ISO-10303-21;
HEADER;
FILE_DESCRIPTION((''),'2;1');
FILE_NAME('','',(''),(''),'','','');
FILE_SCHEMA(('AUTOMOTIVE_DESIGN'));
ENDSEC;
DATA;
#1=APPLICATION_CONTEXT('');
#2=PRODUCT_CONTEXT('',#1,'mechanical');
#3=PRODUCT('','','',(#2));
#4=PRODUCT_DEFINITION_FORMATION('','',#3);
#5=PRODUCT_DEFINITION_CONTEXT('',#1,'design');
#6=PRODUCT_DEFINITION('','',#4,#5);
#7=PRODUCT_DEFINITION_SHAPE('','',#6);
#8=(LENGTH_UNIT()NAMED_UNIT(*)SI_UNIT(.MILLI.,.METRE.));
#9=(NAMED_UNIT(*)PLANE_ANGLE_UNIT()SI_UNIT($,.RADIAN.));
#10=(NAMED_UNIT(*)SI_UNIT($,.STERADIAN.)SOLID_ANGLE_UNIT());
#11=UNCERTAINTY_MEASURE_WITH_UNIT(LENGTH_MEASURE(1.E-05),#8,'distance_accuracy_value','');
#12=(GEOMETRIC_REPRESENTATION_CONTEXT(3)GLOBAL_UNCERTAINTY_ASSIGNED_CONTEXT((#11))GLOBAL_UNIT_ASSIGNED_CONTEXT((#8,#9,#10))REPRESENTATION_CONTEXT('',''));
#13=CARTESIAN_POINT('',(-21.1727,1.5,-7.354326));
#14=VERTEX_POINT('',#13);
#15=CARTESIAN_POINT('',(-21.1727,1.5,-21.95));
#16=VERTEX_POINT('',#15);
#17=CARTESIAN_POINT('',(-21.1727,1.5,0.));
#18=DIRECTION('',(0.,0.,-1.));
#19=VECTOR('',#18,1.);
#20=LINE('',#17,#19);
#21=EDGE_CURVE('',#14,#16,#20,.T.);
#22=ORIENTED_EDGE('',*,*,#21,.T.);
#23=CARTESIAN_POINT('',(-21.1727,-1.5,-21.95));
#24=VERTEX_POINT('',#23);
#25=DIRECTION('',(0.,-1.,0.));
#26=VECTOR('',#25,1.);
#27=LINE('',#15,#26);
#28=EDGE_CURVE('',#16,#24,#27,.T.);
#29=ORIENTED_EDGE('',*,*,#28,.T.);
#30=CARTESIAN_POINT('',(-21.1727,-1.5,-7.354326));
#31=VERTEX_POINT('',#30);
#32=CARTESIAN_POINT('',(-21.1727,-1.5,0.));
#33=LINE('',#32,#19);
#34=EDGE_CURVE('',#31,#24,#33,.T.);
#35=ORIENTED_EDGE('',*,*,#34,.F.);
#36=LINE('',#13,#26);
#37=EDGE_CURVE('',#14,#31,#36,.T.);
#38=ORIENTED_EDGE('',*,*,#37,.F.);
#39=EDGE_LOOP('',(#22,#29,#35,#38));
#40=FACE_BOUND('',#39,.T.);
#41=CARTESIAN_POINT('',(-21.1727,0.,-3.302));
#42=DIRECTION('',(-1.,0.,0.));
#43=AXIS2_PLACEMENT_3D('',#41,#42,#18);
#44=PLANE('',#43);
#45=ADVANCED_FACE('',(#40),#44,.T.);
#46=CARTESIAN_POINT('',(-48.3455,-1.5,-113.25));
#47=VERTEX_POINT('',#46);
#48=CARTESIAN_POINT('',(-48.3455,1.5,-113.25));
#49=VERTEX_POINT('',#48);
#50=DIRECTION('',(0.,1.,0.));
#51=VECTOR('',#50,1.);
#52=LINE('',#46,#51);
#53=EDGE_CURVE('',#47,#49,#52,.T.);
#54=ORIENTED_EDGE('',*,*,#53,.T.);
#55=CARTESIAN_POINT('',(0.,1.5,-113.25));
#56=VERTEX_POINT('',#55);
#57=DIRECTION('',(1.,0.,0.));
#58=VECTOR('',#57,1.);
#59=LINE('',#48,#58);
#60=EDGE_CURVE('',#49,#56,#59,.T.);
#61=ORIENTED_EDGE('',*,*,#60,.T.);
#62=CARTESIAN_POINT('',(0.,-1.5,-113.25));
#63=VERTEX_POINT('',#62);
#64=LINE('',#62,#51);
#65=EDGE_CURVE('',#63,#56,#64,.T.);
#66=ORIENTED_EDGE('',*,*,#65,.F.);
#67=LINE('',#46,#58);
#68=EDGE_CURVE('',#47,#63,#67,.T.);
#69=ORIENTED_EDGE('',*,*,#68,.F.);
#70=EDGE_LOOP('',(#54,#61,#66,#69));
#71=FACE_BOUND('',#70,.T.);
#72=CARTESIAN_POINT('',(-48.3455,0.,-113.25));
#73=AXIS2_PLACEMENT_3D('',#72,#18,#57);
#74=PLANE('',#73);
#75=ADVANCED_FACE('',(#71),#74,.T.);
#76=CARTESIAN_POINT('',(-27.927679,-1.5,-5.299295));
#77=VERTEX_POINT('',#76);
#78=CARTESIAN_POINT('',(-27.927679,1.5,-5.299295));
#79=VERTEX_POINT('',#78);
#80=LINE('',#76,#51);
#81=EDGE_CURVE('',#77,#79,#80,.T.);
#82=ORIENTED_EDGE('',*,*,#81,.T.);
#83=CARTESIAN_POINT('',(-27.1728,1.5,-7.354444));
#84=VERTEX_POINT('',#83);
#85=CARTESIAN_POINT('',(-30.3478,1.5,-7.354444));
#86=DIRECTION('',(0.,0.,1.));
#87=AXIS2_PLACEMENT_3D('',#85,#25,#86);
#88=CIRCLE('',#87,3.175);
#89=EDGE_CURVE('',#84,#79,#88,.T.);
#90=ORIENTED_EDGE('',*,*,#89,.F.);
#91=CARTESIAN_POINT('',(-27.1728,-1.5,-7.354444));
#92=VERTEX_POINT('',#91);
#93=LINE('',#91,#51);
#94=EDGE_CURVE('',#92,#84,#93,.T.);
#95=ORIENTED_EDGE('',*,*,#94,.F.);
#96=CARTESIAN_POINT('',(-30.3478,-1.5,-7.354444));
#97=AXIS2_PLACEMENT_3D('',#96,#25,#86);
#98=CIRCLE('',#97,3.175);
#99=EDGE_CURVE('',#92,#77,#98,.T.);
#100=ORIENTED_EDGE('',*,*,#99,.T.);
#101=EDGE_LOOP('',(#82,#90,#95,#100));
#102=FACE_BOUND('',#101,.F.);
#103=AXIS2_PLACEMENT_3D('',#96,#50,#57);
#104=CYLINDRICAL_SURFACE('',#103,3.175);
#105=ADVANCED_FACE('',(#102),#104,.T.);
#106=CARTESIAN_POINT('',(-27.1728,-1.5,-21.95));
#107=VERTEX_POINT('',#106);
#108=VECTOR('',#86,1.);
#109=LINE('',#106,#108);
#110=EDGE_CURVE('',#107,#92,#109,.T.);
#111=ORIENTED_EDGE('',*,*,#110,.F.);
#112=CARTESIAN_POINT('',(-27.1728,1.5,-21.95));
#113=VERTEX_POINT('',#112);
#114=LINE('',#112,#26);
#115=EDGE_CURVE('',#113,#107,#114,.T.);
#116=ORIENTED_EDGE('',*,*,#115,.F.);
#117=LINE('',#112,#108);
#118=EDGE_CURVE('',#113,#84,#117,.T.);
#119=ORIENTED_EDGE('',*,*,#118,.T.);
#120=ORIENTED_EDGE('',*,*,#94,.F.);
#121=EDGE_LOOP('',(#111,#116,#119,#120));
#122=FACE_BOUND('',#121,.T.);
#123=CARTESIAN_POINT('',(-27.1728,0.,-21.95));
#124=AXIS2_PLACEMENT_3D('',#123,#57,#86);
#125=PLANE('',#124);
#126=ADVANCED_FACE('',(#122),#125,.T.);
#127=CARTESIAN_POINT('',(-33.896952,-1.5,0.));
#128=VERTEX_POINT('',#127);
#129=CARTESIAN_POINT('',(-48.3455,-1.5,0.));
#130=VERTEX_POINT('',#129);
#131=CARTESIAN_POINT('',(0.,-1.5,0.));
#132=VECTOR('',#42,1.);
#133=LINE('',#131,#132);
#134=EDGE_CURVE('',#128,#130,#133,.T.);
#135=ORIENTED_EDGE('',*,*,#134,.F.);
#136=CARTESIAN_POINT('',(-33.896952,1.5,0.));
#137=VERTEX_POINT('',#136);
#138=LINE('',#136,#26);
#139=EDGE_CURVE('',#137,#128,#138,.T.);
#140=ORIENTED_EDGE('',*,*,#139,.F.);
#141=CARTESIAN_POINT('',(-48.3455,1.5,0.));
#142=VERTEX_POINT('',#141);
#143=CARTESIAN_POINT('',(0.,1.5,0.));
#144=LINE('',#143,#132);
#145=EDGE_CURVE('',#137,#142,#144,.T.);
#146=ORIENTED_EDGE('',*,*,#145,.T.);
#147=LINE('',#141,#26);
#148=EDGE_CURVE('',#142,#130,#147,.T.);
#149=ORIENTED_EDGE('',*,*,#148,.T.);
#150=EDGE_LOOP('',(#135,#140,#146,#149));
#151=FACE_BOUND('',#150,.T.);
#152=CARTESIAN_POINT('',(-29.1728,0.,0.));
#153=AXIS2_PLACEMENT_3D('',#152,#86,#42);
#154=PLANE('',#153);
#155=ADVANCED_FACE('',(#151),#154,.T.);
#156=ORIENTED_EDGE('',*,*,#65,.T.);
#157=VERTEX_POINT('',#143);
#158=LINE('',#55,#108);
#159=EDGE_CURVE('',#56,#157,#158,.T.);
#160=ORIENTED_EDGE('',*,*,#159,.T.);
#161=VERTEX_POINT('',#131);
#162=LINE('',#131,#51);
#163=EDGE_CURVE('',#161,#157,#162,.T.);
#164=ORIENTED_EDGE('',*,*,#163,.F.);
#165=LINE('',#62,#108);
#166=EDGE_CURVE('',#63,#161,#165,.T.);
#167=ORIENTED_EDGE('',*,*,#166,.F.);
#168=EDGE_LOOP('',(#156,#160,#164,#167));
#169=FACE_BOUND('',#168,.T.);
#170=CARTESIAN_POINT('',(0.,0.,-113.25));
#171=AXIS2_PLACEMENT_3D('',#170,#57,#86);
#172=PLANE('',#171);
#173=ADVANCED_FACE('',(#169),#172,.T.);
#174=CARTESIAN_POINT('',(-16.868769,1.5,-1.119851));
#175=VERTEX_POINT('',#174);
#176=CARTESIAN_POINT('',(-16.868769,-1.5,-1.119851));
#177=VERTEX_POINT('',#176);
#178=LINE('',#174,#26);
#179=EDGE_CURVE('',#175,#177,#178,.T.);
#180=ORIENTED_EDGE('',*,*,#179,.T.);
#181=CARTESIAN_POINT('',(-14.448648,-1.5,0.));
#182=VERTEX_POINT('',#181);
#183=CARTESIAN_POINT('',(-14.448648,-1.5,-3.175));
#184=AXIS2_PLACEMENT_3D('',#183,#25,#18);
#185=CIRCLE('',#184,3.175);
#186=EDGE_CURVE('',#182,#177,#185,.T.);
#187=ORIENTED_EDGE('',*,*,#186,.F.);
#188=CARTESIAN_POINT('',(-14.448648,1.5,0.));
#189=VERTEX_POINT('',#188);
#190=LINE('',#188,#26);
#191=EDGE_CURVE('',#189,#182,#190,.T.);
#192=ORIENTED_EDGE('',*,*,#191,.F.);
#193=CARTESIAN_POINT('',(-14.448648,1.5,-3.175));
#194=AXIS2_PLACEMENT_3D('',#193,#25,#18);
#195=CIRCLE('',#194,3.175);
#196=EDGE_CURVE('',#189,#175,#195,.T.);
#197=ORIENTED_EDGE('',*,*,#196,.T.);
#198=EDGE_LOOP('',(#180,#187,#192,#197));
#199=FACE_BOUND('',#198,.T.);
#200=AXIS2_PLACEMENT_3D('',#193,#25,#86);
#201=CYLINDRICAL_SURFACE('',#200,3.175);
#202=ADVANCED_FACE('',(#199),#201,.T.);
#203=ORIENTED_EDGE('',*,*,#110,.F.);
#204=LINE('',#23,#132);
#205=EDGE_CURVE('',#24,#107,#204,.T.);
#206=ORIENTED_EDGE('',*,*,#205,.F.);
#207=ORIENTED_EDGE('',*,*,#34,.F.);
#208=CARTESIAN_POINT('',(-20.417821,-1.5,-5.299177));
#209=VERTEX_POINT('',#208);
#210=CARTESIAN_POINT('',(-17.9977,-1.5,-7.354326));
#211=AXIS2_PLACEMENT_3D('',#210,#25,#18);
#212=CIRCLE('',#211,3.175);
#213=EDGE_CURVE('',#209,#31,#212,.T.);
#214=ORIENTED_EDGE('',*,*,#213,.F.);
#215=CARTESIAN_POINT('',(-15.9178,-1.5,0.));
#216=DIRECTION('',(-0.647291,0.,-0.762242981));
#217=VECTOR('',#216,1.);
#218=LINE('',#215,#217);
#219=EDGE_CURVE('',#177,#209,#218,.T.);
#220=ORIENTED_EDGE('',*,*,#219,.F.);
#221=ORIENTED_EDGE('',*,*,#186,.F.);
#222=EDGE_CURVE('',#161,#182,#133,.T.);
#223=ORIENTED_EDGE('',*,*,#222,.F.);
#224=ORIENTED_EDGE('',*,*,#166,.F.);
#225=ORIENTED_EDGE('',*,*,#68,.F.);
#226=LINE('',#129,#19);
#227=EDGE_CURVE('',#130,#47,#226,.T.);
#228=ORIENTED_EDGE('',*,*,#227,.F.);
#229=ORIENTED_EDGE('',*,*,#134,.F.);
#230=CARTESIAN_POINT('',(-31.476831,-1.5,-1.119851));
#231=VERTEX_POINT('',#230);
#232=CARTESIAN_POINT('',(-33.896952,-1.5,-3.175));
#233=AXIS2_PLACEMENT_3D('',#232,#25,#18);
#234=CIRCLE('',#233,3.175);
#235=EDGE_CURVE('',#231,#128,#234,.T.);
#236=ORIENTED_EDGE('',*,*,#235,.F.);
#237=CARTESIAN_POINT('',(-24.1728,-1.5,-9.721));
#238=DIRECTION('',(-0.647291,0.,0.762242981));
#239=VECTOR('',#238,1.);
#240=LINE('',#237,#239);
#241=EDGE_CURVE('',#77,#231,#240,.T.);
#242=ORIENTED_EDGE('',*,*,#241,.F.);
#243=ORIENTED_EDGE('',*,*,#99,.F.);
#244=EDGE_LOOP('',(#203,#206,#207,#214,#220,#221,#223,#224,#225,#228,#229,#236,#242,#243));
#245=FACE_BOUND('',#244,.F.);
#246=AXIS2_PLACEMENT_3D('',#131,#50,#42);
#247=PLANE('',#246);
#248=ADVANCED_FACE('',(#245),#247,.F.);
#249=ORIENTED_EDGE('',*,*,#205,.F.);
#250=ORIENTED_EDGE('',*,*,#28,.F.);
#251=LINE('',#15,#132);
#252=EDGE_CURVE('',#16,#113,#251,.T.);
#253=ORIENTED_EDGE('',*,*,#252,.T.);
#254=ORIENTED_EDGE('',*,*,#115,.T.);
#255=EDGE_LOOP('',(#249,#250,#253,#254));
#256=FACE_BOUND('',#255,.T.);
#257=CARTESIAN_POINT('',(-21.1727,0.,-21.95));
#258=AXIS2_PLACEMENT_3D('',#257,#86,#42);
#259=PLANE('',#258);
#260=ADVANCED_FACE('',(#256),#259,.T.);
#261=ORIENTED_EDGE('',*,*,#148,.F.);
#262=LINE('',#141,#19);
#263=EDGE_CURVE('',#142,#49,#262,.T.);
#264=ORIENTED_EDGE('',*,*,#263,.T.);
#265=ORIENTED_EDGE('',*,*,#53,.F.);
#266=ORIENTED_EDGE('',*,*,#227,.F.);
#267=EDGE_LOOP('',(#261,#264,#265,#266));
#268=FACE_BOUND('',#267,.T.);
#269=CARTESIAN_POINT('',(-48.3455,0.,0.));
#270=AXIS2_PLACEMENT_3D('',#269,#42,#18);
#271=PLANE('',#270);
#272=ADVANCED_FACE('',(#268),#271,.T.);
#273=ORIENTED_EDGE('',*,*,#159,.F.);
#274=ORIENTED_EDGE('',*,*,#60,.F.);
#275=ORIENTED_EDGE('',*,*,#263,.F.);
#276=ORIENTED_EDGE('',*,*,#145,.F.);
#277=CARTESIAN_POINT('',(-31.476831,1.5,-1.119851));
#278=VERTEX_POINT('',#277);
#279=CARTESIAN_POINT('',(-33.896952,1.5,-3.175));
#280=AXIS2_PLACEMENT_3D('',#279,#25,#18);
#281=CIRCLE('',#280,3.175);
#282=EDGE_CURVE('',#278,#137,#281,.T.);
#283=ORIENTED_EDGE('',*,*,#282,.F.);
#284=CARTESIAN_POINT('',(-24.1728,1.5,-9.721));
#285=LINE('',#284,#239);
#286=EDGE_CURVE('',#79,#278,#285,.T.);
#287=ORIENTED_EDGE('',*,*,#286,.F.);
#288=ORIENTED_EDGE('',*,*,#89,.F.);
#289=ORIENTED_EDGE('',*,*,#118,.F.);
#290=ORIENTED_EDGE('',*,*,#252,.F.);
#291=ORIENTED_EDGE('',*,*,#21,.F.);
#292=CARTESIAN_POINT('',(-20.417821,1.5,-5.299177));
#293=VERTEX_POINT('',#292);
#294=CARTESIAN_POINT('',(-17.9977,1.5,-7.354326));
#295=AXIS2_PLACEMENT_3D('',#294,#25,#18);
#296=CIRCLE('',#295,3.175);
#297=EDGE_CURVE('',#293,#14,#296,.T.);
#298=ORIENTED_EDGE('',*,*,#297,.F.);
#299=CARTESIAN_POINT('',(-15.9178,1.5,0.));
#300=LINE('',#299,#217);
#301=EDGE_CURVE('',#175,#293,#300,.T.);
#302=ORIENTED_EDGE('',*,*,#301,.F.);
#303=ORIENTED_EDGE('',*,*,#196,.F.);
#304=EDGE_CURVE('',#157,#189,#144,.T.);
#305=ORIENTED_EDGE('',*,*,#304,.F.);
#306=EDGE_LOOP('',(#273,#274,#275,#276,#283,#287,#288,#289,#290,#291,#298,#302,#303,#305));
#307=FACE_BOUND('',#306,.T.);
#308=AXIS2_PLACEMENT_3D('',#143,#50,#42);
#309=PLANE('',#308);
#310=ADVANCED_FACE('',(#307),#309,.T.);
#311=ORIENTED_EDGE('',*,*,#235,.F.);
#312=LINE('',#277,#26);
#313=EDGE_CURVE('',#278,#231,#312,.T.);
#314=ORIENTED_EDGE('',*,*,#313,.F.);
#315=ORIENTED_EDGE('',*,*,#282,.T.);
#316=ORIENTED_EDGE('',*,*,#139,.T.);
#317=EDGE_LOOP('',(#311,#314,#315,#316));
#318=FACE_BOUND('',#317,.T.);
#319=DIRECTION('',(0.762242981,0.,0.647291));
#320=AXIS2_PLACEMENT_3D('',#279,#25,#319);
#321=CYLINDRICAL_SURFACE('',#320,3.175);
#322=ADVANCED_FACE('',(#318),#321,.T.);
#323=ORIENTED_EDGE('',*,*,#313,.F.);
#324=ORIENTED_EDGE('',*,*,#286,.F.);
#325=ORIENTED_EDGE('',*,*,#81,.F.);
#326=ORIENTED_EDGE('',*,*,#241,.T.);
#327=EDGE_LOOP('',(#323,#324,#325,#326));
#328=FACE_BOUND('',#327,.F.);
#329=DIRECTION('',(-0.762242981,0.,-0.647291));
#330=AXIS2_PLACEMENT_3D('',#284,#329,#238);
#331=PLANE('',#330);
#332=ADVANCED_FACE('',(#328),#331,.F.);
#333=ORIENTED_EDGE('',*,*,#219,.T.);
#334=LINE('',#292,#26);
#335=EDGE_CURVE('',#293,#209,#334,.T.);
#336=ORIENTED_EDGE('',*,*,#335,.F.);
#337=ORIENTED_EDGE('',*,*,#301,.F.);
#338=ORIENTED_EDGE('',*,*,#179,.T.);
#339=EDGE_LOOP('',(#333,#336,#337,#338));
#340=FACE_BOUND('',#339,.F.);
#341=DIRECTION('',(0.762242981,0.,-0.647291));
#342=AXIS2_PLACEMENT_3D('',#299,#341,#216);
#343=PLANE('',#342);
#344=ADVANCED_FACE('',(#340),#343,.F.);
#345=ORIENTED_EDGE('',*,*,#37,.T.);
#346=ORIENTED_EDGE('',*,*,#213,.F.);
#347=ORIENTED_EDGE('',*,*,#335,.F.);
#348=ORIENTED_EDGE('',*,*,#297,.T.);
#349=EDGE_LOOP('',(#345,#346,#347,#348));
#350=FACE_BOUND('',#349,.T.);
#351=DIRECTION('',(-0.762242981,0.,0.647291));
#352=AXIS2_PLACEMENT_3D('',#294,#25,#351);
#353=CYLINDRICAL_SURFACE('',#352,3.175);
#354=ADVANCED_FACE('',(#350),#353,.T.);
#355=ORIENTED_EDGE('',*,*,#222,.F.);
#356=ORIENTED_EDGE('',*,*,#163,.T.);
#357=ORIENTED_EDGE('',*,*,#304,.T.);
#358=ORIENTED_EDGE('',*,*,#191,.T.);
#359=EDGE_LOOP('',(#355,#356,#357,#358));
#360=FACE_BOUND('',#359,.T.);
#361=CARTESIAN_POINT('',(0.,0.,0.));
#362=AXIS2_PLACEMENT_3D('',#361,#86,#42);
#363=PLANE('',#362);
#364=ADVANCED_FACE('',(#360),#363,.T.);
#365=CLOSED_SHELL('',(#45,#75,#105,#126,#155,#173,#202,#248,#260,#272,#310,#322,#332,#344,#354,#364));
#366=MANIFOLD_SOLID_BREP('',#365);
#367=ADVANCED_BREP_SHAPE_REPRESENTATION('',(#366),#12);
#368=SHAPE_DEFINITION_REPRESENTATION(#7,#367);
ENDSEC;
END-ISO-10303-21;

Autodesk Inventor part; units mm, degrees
ref_plane "YZ Plane" through (0, 0, 0) normal (1, 0, 0) x (0, 1, 0)
ref_plane "XZ Plane" through (0, 0, 0) normal (0, 1, 0) x (-1, 0, 0)
ref_plane "XY Plane" through (0, 0, 0) normal (0, 0, 1) x (1, 0, 0)
sketch "Sketch1" plane through (0, 0, 0) normal (0, 1, 0) x (-1, 0, 0)
  line L0 (0, 0) -> (48.3455, 0)
  line L1 (48.3455, 0) -> (48.3455, -113.25)
  line L2 (48.3455, -113.25) -> (0, -113.25)
  line L3 (0, -113.25) -> (0, 0)
  line L4 (27.1728, 0) -> (21.1727, 0)
  line L5 (21.1727, 0) -> (21.1727, -21.95)
  line L6 (21.1727, -21.95) -> (27.1728, -21.95)
  line L7 (27.1728, -21.95) -> (27.1728, 0)
  line L8 (29.1728, 0) -> (19.1728, 0)
  line L9 (19.1728, 0) -> (19.1728, -3.302)
  line L10 (19.1728, -3.302) -> (29.1728, -3.302)
  line L11 (29.1728, -3.302) -> (29.1728, 0)
  point P0 (27.1728, -3.302)
  point P1 (21.1727, -3.302)
  dimension "d0" = 113.25
  dimension "d1" = 48.3455
  dimension "d2" = 91.3
  dimension "d3" = 6
  dimension "d4" = 21.1728
  dimension "d5" = 21.1728
  dimension "d6" = 10
  dimension "d7" = 3.302
  dimension "d8" = 2
  dimension "d9" = 2
extrude "Extrusion1" add sketch "Sketch1" along normal mid plane 3 contours L0 L9 L10 L5 L6 L7 L11 L1 L2 L3
sketch "Sketch2" plane through (0, 1.5, 0) normal (0, 1, 0) x (1, 0, 0)
  line L0 (-48.3455, 0) -> (-29.1728, 0) projected
  line L1 (-32.4278, 0) -> (-15.9178, 0)
  line L2 (-15.9178, 0) -> (-24.1728, 9.721)
  line L3 (-24.1728, 9.721) -> (-32.4278, 0)
  line L4 (-29.1728, 0) -> (-29.1728, 3.302) projected
  line L5 (-19.1728, 3.302) -> (-19.1728, 0) projected
  point P0 (0, 0)
  dimension "d12" = 8.255
  dimension "d13" = 16.51
  dimension "d14" = 8.255
  dimension "d15" = 3.255
  dimension "d16" = 3.255
extrude "Extrusion2" cut sketch "Sketch2" against normal up to surface (3 mm away)
fillet "Fillet1" radius 3.175 4 edges at (-27.1728, 0, -6.1882) (-21.1728, 0, -6.1882) (-32.4278, 0, 0) (-15.9178, 0, 0)
equation "\"d4\" = d5"
equation "\"d8\" = d9"
equation "\"d12\" = d14"
equation "\"d15\" = d16"
properties part number "avbay sled"
